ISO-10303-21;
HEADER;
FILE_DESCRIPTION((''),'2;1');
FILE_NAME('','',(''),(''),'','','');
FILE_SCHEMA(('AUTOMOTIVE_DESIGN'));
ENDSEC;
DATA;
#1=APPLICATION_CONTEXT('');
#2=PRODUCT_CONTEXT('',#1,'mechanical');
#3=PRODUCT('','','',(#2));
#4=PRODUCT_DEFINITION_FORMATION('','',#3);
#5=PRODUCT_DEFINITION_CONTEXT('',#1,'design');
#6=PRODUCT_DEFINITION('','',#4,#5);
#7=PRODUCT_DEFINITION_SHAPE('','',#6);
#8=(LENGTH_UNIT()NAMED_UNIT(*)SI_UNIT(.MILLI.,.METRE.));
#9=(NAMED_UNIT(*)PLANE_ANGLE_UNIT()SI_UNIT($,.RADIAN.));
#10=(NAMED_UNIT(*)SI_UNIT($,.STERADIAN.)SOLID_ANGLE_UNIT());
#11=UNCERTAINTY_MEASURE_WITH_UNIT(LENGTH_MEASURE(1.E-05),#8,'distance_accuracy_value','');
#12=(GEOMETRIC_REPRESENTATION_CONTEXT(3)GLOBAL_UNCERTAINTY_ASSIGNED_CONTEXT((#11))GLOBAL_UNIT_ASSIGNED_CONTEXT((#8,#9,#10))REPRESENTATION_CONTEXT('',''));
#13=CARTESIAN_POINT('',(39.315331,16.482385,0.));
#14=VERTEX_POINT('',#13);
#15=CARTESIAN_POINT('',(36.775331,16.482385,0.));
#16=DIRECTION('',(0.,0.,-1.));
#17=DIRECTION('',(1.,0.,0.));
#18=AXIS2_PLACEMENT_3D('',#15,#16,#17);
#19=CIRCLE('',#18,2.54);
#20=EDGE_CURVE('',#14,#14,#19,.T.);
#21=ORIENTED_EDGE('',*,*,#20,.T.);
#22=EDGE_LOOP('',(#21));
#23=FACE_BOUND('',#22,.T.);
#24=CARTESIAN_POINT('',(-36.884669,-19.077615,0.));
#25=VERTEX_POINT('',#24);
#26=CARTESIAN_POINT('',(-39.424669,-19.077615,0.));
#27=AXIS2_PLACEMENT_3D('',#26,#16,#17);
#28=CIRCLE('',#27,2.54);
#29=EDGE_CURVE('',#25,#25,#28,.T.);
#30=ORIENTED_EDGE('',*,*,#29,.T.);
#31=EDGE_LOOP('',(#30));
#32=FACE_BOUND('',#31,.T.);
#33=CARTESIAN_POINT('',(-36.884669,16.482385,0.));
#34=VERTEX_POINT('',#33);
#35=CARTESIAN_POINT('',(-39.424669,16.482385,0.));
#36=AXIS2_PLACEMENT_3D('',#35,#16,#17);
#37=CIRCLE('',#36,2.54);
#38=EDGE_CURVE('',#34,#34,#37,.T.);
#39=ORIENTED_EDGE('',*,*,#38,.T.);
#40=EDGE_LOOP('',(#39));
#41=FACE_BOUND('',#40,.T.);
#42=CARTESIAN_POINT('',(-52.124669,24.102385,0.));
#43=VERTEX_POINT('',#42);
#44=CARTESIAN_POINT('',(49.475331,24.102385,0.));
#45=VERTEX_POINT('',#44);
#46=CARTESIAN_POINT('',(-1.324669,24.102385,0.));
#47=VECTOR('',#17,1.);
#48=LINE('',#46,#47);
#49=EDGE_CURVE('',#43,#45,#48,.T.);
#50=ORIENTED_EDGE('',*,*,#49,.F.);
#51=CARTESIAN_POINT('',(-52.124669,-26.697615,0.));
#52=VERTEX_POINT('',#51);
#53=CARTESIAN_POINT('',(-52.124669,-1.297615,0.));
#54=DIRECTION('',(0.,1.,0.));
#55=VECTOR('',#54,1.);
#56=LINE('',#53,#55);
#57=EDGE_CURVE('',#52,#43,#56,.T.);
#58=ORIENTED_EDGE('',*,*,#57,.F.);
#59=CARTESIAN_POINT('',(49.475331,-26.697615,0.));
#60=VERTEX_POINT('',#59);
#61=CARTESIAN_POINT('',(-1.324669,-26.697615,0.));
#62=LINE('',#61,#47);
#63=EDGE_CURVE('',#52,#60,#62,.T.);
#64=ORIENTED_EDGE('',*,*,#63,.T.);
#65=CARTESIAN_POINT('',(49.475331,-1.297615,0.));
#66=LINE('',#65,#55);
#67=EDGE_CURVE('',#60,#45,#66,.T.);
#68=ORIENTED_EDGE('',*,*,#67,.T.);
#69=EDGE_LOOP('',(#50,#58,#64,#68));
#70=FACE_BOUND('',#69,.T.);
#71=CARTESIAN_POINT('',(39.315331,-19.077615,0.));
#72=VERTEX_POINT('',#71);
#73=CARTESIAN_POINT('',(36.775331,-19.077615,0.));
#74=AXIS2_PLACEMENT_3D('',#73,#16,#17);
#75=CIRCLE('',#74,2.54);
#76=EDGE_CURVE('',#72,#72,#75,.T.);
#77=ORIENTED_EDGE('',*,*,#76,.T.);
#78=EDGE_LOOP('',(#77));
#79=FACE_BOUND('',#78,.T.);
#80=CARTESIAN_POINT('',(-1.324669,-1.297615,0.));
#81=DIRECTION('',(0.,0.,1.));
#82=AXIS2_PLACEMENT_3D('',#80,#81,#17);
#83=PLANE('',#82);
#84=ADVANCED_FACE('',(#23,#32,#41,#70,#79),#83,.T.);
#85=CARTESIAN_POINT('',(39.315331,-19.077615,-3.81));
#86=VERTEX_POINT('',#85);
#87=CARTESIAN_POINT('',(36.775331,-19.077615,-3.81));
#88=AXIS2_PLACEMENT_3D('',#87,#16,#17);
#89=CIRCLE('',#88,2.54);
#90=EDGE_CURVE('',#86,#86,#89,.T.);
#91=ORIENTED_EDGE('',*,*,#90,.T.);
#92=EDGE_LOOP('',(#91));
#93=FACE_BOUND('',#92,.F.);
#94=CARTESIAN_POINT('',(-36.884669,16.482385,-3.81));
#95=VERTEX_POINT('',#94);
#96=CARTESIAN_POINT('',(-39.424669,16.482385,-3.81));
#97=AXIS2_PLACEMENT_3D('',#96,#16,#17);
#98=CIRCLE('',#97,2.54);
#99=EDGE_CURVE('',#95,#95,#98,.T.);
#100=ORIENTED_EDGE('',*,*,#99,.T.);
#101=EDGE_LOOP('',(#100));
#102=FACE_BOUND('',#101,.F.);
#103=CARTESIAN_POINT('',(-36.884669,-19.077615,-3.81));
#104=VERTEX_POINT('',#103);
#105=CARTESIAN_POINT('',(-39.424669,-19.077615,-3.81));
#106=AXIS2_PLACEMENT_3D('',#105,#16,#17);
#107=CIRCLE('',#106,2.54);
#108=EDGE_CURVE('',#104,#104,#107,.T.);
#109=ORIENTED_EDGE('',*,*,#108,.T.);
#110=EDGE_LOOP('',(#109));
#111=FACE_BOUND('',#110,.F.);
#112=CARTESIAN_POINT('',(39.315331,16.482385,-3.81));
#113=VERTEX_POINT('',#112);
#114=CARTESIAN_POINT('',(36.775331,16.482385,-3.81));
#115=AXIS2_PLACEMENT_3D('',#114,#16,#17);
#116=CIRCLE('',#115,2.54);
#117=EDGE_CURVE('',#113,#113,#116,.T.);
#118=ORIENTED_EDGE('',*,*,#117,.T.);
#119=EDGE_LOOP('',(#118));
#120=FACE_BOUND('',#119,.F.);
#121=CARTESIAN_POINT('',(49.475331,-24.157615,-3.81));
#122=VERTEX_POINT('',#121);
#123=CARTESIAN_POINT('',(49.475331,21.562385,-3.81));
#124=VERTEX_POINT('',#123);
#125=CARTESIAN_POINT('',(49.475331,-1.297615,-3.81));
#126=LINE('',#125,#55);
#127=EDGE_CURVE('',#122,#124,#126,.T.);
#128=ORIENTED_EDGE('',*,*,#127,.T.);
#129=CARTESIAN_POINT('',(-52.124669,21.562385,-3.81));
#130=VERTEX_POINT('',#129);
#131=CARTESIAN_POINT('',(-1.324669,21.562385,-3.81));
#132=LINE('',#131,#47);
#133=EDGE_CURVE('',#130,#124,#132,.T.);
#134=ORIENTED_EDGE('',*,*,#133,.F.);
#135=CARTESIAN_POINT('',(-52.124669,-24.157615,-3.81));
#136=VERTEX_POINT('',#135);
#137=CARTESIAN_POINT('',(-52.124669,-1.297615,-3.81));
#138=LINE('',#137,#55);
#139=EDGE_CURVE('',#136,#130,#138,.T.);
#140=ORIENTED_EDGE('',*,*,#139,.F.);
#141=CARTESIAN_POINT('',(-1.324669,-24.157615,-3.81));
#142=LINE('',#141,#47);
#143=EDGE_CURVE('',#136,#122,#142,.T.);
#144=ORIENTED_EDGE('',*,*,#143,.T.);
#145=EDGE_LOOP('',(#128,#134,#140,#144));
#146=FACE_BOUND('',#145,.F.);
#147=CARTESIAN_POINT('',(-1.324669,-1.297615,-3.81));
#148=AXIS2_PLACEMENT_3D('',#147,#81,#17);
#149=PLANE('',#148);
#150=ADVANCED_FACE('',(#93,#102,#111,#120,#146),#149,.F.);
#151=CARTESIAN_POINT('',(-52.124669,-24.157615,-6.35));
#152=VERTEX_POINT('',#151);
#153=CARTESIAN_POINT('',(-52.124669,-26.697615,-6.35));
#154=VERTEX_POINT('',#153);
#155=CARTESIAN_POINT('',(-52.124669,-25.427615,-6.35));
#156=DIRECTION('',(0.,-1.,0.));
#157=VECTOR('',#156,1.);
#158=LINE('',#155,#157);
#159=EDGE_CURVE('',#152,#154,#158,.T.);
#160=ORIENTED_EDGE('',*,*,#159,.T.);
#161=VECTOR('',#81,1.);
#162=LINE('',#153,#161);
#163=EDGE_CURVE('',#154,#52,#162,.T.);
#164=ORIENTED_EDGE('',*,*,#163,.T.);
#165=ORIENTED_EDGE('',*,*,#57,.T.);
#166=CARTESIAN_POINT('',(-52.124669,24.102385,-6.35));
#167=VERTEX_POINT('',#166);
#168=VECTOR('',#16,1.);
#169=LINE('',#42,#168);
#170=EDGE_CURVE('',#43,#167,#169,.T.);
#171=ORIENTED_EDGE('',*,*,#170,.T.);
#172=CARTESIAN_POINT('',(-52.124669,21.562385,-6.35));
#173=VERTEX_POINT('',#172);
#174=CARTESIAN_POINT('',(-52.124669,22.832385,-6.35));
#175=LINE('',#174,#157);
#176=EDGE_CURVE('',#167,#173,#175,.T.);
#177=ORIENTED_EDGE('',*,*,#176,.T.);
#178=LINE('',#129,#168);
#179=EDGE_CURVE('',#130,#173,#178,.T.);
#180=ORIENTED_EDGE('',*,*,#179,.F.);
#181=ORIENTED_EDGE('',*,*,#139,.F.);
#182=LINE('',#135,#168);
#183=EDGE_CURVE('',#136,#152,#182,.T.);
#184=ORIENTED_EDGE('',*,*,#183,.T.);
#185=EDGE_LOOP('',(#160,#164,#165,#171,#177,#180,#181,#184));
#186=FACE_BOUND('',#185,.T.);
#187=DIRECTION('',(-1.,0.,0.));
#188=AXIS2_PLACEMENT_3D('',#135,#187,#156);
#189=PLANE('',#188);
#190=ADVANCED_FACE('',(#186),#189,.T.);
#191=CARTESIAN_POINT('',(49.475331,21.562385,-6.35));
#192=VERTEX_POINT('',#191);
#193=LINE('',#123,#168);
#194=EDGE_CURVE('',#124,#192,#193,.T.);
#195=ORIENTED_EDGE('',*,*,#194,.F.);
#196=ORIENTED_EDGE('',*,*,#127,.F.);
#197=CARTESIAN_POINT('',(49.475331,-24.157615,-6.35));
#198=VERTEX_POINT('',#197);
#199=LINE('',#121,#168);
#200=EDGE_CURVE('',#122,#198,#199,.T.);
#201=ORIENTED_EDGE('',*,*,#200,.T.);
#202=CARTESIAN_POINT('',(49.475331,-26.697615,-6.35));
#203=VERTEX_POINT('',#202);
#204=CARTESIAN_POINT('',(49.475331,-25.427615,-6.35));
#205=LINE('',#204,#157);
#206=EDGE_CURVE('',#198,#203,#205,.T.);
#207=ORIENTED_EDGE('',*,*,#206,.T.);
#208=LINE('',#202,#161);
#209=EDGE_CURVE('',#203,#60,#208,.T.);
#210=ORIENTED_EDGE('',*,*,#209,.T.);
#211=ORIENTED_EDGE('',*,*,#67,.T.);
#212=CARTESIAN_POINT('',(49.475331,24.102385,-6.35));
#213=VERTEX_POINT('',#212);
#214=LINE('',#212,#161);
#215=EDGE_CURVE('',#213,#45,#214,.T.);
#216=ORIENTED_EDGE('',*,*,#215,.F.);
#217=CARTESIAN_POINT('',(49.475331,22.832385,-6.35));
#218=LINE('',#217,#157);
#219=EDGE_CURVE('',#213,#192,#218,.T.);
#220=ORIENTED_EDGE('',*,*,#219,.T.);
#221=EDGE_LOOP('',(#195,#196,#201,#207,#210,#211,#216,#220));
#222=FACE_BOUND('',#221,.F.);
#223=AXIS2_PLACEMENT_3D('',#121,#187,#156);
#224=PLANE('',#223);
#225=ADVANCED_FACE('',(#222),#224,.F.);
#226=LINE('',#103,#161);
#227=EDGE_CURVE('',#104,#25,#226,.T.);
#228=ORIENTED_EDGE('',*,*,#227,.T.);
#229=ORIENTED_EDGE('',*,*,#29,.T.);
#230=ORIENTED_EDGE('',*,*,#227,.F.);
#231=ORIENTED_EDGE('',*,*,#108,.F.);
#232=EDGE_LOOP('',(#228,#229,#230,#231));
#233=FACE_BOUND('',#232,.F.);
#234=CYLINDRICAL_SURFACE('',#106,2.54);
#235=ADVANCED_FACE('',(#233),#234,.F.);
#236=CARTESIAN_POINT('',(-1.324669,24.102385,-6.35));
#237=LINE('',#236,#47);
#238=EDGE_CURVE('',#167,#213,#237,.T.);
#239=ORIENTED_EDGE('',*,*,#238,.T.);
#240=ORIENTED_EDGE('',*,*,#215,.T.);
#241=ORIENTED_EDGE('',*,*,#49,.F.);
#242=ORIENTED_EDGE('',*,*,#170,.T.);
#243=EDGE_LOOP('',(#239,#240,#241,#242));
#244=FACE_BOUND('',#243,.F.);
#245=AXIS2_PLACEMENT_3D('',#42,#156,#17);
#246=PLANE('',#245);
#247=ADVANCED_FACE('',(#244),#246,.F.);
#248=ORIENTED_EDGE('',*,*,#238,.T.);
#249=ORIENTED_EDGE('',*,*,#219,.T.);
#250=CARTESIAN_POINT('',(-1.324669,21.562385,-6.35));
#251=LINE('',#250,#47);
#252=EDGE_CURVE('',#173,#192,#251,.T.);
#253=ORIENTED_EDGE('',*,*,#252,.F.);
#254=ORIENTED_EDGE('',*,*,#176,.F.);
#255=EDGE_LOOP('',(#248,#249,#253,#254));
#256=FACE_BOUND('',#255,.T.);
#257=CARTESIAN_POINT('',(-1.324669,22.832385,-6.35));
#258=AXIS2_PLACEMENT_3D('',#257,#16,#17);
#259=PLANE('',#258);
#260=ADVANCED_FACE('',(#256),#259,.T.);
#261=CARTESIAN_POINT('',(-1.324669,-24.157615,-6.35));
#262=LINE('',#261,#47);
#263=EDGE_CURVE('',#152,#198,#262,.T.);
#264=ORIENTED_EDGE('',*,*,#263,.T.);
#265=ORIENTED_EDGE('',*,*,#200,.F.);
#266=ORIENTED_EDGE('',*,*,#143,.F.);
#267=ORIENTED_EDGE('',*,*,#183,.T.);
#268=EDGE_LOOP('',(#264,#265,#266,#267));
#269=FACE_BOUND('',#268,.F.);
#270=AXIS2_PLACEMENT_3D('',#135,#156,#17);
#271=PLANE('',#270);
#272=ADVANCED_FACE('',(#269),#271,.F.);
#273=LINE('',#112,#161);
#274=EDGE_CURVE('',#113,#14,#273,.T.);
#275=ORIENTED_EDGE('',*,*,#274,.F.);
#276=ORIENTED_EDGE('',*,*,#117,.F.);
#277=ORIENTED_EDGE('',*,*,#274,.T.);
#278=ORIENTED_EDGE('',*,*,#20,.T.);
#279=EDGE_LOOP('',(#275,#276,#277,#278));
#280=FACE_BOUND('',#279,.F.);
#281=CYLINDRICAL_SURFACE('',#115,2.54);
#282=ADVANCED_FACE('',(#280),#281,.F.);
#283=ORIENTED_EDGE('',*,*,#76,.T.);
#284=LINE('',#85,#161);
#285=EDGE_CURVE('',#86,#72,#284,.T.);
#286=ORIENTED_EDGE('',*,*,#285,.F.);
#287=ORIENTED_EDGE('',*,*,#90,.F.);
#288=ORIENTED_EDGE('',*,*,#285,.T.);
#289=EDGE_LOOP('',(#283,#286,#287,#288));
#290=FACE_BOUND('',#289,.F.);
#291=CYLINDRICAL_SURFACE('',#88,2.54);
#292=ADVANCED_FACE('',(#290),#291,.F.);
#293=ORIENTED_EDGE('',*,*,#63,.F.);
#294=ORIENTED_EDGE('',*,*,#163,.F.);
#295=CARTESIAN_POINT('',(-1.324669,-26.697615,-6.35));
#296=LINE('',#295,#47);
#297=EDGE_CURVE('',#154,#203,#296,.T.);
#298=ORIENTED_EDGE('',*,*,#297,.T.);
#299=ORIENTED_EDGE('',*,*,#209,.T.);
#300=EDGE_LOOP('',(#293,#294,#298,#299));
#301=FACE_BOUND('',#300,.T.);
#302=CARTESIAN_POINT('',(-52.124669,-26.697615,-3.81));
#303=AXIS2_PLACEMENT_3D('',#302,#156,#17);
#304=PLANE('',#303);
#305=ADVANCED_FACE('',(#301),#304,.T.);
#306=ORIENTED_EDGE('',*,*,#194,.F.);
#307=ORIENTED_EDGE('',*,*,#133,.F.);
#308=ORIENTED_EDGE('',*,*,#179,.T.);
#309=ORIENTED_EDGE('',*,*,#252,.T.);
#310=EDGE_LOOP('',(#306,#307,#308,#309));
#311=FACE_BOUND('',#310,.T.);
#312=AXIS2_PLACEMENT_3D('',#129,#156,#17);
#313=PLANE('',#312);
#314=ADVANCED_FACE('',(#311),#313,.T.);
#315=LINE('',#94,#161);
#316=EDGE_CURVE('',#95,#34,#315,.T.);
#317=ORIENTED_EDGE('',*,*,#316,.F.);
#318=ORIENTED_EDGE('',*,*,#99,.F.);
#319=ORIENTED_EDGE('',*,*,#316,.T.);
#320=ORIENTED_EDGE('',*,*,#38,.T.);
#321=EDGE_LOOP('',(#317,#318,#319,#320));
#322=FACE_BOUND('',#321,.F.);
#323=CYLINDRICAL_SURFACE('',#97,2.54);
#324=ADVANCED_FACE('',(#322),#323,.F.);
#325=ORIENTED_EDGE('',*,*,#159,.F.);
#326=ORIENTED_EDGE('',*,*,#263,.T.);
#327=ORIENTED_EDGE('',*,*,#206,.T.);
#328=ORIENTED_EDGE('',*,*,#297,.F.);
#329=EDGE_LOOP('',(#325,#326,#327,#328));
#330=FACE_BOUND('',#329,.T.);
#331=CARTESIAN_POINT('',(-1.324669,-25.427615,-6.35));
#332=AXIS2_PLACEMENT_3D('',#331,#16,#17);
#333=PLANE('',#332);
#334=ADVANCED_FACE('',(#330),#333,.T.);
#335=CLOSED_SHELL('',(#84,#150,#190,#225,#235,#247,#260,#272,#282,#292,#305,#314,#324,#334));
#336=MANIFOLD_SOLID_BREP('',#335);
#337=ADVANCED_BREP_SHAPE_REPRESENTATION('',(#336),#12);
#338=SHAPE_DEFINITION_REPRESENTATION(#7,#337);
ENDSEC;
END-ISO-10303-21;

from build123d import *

# Parameters (mm, degrees)
F0_W     = 101.6
F0_H     = 50.8
F1_DEPTH = 3.81
F2_W     = 101.6
F2_H     = 2.54
F3_DEPTH = 2.54
F4_R     = 2.54
F5_DEPTH = 3.81


with BuildPart() as f1:
    # F0 (on Top) → F1 (new body)
    with BuildSketch(Plane.XY):
        with Locations((-1.324669, -1.297615)):
            Rectangle(F0_W, F0_H)
    extrude(amount=-F1_DEPTH)

    # F2 (on face) → F3 (join)
    with BuildSketch(Plane(origin=(0, 0, -3.81), x_dir=(1, 0, 0), z_dir=(0, 0, -1))):
        with Locations((-1.324669, 25.427615)):
            Rectangle(F2_W, F2_H)
        with Locations((-1.324669, -22.832385)):
            Rectangle(F2_W, F2_H)
    extrude(amount=F3_DEPTH)

    # F4 (on face) → F5 (cut)
    with BuildSketch(Plane(origin=(0, 0, -3.81), x_dir=(1, 0, 0), z_dir=(0, 0, -1))):
        with Locations((-39.424669, 19.077615)):
            Circle(F4_R)
        with Locations((-39.424669, -16.482385)):
            Circle(F4_R)
        with Locations((36.775331, 19.077615)):
            Circle(F4_R)
        with Locations((36.775331, -16.482385)):
            Circle(F4_R)
    extrude(amount=-F5_DEPTH, mode=Mode.SUBTRACT)


solid = f1.part
